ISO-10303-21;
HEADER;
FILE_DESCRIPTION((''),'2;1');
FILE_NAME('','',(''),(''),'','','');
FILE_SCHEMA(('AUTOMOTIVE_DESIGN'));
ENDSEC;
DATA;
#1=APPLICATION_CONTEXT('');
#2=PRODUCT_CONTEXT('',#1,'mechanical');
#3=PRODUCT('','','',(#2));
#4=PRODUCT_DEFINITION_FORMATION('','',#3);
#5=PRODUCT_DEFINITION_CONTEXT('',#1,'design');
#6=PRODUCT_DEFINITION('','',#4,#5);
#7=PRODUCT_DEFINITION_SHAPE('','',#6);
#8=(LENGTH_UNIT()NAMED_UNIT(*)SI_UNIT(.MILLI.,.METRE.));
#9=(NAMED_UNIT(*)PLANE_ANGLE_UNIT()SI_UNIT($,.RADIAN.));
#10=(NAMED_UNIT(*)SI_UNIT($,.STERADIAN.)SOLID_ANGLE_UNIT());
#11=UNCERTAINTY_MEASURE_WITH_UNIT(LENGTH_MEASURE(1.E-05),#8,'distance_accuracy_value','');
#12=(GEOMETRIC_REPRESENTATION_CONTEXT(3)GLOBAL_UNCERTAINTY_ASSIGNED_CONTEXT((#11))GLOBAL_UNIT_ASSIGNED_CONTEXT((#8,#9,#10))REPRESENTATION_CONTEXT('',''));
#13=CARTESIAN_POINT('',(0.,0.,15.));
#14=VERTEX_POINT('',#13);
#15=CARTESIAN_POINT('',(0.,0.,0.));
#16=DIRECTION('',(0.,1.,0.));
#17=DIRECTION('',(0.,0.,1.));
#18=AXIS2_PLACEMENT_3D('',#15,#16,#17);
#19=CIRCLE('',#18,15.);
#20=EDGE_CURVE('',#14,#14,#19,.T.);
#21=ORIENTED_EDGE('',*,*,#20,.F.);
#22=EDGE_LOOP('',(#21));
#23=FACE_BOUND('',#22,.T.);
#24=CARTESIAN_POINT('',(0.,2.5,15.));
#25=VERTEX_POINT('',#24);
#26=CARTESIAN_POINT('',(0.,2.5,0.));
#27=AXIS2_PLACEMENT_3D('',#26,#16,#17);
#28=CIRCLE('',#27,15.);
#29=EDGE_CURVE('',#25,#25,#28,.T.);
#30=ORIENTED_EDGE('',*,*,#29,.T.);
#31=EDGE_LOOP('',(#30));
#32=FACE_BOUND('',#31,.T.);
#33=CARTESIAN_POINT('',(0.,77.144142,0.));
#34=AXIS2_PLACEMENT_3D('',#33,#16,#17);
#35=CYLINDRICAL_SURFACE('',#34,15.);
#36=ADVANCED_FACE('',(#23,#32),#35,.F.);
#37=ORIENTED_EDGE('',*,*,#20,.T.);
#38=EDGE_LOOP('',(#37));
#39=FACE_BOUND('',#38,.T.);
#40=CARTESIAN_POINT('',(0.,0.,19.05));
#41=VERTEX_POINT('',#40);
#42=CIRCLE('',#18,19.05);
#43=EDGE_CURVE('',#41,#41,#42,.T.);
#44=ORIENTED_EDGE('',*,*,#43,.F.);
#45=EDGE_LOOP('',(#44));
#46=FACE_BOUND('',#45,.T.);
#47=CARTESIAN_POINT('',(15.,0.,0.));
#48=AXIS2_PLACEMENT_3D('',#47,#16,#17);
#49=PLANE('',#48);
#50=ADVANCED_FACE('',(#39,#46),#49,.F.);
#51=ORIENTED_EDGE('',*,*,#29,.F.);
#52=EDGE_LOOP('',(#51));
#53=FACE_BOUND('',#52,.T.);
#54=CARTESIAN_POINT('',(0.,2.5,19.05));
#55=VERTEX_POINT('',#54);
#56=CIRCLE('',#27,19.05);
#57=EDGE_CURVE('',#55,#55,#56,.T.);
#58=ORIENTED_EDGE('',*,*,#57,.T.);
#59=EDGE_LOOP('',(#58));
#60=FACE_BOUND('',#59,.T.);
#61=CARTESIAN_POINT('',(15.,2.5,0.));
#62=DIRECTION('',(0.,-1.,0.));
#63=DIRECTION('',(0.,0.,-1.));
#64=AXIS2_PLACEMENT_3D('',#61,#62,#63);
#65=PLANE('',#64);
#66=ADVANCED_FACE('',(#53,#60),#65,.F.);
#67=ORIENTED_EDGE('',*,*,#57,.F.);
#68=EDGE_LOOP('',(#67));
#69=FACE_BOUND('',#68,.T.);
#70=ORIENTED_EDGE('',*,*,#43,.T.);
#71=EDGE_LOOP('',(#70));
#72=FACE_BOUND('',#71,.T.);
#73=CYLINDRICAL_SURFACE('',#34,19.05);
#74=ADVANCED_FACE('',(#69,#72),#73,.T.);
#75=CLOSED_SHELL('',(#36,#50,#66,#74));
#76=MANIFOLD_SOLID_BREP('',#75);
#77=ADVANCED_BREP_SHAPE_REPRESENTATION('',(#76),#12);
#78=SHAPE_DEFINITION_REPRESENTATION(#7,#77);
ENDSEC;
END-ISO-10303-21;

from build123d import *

# Parameters (mm, degrees)
SKETCH_1_W = 4.05
SKETCH_1_H = 2.5


with BuildPart() as part:
    # 草图1 → 旋转1 (revolve)
    with BuildSketch(Plane.XY, mode=Mode.PRIVATE) as revolve_1_sk:
        with Locations((17.025, 1.25)):
            Rectangle(SKETCH_1_W, SKETCH_1_H)
    revolve(revolve_1_sk.sketch.rotate(Axis((0, 77.144142266, 0), (0, -1, 0)), 90), axis=Axis((0, 77.144142266, 0), (0, -1, 0)))  # turned: the seam where the file's is


solid = part.part
